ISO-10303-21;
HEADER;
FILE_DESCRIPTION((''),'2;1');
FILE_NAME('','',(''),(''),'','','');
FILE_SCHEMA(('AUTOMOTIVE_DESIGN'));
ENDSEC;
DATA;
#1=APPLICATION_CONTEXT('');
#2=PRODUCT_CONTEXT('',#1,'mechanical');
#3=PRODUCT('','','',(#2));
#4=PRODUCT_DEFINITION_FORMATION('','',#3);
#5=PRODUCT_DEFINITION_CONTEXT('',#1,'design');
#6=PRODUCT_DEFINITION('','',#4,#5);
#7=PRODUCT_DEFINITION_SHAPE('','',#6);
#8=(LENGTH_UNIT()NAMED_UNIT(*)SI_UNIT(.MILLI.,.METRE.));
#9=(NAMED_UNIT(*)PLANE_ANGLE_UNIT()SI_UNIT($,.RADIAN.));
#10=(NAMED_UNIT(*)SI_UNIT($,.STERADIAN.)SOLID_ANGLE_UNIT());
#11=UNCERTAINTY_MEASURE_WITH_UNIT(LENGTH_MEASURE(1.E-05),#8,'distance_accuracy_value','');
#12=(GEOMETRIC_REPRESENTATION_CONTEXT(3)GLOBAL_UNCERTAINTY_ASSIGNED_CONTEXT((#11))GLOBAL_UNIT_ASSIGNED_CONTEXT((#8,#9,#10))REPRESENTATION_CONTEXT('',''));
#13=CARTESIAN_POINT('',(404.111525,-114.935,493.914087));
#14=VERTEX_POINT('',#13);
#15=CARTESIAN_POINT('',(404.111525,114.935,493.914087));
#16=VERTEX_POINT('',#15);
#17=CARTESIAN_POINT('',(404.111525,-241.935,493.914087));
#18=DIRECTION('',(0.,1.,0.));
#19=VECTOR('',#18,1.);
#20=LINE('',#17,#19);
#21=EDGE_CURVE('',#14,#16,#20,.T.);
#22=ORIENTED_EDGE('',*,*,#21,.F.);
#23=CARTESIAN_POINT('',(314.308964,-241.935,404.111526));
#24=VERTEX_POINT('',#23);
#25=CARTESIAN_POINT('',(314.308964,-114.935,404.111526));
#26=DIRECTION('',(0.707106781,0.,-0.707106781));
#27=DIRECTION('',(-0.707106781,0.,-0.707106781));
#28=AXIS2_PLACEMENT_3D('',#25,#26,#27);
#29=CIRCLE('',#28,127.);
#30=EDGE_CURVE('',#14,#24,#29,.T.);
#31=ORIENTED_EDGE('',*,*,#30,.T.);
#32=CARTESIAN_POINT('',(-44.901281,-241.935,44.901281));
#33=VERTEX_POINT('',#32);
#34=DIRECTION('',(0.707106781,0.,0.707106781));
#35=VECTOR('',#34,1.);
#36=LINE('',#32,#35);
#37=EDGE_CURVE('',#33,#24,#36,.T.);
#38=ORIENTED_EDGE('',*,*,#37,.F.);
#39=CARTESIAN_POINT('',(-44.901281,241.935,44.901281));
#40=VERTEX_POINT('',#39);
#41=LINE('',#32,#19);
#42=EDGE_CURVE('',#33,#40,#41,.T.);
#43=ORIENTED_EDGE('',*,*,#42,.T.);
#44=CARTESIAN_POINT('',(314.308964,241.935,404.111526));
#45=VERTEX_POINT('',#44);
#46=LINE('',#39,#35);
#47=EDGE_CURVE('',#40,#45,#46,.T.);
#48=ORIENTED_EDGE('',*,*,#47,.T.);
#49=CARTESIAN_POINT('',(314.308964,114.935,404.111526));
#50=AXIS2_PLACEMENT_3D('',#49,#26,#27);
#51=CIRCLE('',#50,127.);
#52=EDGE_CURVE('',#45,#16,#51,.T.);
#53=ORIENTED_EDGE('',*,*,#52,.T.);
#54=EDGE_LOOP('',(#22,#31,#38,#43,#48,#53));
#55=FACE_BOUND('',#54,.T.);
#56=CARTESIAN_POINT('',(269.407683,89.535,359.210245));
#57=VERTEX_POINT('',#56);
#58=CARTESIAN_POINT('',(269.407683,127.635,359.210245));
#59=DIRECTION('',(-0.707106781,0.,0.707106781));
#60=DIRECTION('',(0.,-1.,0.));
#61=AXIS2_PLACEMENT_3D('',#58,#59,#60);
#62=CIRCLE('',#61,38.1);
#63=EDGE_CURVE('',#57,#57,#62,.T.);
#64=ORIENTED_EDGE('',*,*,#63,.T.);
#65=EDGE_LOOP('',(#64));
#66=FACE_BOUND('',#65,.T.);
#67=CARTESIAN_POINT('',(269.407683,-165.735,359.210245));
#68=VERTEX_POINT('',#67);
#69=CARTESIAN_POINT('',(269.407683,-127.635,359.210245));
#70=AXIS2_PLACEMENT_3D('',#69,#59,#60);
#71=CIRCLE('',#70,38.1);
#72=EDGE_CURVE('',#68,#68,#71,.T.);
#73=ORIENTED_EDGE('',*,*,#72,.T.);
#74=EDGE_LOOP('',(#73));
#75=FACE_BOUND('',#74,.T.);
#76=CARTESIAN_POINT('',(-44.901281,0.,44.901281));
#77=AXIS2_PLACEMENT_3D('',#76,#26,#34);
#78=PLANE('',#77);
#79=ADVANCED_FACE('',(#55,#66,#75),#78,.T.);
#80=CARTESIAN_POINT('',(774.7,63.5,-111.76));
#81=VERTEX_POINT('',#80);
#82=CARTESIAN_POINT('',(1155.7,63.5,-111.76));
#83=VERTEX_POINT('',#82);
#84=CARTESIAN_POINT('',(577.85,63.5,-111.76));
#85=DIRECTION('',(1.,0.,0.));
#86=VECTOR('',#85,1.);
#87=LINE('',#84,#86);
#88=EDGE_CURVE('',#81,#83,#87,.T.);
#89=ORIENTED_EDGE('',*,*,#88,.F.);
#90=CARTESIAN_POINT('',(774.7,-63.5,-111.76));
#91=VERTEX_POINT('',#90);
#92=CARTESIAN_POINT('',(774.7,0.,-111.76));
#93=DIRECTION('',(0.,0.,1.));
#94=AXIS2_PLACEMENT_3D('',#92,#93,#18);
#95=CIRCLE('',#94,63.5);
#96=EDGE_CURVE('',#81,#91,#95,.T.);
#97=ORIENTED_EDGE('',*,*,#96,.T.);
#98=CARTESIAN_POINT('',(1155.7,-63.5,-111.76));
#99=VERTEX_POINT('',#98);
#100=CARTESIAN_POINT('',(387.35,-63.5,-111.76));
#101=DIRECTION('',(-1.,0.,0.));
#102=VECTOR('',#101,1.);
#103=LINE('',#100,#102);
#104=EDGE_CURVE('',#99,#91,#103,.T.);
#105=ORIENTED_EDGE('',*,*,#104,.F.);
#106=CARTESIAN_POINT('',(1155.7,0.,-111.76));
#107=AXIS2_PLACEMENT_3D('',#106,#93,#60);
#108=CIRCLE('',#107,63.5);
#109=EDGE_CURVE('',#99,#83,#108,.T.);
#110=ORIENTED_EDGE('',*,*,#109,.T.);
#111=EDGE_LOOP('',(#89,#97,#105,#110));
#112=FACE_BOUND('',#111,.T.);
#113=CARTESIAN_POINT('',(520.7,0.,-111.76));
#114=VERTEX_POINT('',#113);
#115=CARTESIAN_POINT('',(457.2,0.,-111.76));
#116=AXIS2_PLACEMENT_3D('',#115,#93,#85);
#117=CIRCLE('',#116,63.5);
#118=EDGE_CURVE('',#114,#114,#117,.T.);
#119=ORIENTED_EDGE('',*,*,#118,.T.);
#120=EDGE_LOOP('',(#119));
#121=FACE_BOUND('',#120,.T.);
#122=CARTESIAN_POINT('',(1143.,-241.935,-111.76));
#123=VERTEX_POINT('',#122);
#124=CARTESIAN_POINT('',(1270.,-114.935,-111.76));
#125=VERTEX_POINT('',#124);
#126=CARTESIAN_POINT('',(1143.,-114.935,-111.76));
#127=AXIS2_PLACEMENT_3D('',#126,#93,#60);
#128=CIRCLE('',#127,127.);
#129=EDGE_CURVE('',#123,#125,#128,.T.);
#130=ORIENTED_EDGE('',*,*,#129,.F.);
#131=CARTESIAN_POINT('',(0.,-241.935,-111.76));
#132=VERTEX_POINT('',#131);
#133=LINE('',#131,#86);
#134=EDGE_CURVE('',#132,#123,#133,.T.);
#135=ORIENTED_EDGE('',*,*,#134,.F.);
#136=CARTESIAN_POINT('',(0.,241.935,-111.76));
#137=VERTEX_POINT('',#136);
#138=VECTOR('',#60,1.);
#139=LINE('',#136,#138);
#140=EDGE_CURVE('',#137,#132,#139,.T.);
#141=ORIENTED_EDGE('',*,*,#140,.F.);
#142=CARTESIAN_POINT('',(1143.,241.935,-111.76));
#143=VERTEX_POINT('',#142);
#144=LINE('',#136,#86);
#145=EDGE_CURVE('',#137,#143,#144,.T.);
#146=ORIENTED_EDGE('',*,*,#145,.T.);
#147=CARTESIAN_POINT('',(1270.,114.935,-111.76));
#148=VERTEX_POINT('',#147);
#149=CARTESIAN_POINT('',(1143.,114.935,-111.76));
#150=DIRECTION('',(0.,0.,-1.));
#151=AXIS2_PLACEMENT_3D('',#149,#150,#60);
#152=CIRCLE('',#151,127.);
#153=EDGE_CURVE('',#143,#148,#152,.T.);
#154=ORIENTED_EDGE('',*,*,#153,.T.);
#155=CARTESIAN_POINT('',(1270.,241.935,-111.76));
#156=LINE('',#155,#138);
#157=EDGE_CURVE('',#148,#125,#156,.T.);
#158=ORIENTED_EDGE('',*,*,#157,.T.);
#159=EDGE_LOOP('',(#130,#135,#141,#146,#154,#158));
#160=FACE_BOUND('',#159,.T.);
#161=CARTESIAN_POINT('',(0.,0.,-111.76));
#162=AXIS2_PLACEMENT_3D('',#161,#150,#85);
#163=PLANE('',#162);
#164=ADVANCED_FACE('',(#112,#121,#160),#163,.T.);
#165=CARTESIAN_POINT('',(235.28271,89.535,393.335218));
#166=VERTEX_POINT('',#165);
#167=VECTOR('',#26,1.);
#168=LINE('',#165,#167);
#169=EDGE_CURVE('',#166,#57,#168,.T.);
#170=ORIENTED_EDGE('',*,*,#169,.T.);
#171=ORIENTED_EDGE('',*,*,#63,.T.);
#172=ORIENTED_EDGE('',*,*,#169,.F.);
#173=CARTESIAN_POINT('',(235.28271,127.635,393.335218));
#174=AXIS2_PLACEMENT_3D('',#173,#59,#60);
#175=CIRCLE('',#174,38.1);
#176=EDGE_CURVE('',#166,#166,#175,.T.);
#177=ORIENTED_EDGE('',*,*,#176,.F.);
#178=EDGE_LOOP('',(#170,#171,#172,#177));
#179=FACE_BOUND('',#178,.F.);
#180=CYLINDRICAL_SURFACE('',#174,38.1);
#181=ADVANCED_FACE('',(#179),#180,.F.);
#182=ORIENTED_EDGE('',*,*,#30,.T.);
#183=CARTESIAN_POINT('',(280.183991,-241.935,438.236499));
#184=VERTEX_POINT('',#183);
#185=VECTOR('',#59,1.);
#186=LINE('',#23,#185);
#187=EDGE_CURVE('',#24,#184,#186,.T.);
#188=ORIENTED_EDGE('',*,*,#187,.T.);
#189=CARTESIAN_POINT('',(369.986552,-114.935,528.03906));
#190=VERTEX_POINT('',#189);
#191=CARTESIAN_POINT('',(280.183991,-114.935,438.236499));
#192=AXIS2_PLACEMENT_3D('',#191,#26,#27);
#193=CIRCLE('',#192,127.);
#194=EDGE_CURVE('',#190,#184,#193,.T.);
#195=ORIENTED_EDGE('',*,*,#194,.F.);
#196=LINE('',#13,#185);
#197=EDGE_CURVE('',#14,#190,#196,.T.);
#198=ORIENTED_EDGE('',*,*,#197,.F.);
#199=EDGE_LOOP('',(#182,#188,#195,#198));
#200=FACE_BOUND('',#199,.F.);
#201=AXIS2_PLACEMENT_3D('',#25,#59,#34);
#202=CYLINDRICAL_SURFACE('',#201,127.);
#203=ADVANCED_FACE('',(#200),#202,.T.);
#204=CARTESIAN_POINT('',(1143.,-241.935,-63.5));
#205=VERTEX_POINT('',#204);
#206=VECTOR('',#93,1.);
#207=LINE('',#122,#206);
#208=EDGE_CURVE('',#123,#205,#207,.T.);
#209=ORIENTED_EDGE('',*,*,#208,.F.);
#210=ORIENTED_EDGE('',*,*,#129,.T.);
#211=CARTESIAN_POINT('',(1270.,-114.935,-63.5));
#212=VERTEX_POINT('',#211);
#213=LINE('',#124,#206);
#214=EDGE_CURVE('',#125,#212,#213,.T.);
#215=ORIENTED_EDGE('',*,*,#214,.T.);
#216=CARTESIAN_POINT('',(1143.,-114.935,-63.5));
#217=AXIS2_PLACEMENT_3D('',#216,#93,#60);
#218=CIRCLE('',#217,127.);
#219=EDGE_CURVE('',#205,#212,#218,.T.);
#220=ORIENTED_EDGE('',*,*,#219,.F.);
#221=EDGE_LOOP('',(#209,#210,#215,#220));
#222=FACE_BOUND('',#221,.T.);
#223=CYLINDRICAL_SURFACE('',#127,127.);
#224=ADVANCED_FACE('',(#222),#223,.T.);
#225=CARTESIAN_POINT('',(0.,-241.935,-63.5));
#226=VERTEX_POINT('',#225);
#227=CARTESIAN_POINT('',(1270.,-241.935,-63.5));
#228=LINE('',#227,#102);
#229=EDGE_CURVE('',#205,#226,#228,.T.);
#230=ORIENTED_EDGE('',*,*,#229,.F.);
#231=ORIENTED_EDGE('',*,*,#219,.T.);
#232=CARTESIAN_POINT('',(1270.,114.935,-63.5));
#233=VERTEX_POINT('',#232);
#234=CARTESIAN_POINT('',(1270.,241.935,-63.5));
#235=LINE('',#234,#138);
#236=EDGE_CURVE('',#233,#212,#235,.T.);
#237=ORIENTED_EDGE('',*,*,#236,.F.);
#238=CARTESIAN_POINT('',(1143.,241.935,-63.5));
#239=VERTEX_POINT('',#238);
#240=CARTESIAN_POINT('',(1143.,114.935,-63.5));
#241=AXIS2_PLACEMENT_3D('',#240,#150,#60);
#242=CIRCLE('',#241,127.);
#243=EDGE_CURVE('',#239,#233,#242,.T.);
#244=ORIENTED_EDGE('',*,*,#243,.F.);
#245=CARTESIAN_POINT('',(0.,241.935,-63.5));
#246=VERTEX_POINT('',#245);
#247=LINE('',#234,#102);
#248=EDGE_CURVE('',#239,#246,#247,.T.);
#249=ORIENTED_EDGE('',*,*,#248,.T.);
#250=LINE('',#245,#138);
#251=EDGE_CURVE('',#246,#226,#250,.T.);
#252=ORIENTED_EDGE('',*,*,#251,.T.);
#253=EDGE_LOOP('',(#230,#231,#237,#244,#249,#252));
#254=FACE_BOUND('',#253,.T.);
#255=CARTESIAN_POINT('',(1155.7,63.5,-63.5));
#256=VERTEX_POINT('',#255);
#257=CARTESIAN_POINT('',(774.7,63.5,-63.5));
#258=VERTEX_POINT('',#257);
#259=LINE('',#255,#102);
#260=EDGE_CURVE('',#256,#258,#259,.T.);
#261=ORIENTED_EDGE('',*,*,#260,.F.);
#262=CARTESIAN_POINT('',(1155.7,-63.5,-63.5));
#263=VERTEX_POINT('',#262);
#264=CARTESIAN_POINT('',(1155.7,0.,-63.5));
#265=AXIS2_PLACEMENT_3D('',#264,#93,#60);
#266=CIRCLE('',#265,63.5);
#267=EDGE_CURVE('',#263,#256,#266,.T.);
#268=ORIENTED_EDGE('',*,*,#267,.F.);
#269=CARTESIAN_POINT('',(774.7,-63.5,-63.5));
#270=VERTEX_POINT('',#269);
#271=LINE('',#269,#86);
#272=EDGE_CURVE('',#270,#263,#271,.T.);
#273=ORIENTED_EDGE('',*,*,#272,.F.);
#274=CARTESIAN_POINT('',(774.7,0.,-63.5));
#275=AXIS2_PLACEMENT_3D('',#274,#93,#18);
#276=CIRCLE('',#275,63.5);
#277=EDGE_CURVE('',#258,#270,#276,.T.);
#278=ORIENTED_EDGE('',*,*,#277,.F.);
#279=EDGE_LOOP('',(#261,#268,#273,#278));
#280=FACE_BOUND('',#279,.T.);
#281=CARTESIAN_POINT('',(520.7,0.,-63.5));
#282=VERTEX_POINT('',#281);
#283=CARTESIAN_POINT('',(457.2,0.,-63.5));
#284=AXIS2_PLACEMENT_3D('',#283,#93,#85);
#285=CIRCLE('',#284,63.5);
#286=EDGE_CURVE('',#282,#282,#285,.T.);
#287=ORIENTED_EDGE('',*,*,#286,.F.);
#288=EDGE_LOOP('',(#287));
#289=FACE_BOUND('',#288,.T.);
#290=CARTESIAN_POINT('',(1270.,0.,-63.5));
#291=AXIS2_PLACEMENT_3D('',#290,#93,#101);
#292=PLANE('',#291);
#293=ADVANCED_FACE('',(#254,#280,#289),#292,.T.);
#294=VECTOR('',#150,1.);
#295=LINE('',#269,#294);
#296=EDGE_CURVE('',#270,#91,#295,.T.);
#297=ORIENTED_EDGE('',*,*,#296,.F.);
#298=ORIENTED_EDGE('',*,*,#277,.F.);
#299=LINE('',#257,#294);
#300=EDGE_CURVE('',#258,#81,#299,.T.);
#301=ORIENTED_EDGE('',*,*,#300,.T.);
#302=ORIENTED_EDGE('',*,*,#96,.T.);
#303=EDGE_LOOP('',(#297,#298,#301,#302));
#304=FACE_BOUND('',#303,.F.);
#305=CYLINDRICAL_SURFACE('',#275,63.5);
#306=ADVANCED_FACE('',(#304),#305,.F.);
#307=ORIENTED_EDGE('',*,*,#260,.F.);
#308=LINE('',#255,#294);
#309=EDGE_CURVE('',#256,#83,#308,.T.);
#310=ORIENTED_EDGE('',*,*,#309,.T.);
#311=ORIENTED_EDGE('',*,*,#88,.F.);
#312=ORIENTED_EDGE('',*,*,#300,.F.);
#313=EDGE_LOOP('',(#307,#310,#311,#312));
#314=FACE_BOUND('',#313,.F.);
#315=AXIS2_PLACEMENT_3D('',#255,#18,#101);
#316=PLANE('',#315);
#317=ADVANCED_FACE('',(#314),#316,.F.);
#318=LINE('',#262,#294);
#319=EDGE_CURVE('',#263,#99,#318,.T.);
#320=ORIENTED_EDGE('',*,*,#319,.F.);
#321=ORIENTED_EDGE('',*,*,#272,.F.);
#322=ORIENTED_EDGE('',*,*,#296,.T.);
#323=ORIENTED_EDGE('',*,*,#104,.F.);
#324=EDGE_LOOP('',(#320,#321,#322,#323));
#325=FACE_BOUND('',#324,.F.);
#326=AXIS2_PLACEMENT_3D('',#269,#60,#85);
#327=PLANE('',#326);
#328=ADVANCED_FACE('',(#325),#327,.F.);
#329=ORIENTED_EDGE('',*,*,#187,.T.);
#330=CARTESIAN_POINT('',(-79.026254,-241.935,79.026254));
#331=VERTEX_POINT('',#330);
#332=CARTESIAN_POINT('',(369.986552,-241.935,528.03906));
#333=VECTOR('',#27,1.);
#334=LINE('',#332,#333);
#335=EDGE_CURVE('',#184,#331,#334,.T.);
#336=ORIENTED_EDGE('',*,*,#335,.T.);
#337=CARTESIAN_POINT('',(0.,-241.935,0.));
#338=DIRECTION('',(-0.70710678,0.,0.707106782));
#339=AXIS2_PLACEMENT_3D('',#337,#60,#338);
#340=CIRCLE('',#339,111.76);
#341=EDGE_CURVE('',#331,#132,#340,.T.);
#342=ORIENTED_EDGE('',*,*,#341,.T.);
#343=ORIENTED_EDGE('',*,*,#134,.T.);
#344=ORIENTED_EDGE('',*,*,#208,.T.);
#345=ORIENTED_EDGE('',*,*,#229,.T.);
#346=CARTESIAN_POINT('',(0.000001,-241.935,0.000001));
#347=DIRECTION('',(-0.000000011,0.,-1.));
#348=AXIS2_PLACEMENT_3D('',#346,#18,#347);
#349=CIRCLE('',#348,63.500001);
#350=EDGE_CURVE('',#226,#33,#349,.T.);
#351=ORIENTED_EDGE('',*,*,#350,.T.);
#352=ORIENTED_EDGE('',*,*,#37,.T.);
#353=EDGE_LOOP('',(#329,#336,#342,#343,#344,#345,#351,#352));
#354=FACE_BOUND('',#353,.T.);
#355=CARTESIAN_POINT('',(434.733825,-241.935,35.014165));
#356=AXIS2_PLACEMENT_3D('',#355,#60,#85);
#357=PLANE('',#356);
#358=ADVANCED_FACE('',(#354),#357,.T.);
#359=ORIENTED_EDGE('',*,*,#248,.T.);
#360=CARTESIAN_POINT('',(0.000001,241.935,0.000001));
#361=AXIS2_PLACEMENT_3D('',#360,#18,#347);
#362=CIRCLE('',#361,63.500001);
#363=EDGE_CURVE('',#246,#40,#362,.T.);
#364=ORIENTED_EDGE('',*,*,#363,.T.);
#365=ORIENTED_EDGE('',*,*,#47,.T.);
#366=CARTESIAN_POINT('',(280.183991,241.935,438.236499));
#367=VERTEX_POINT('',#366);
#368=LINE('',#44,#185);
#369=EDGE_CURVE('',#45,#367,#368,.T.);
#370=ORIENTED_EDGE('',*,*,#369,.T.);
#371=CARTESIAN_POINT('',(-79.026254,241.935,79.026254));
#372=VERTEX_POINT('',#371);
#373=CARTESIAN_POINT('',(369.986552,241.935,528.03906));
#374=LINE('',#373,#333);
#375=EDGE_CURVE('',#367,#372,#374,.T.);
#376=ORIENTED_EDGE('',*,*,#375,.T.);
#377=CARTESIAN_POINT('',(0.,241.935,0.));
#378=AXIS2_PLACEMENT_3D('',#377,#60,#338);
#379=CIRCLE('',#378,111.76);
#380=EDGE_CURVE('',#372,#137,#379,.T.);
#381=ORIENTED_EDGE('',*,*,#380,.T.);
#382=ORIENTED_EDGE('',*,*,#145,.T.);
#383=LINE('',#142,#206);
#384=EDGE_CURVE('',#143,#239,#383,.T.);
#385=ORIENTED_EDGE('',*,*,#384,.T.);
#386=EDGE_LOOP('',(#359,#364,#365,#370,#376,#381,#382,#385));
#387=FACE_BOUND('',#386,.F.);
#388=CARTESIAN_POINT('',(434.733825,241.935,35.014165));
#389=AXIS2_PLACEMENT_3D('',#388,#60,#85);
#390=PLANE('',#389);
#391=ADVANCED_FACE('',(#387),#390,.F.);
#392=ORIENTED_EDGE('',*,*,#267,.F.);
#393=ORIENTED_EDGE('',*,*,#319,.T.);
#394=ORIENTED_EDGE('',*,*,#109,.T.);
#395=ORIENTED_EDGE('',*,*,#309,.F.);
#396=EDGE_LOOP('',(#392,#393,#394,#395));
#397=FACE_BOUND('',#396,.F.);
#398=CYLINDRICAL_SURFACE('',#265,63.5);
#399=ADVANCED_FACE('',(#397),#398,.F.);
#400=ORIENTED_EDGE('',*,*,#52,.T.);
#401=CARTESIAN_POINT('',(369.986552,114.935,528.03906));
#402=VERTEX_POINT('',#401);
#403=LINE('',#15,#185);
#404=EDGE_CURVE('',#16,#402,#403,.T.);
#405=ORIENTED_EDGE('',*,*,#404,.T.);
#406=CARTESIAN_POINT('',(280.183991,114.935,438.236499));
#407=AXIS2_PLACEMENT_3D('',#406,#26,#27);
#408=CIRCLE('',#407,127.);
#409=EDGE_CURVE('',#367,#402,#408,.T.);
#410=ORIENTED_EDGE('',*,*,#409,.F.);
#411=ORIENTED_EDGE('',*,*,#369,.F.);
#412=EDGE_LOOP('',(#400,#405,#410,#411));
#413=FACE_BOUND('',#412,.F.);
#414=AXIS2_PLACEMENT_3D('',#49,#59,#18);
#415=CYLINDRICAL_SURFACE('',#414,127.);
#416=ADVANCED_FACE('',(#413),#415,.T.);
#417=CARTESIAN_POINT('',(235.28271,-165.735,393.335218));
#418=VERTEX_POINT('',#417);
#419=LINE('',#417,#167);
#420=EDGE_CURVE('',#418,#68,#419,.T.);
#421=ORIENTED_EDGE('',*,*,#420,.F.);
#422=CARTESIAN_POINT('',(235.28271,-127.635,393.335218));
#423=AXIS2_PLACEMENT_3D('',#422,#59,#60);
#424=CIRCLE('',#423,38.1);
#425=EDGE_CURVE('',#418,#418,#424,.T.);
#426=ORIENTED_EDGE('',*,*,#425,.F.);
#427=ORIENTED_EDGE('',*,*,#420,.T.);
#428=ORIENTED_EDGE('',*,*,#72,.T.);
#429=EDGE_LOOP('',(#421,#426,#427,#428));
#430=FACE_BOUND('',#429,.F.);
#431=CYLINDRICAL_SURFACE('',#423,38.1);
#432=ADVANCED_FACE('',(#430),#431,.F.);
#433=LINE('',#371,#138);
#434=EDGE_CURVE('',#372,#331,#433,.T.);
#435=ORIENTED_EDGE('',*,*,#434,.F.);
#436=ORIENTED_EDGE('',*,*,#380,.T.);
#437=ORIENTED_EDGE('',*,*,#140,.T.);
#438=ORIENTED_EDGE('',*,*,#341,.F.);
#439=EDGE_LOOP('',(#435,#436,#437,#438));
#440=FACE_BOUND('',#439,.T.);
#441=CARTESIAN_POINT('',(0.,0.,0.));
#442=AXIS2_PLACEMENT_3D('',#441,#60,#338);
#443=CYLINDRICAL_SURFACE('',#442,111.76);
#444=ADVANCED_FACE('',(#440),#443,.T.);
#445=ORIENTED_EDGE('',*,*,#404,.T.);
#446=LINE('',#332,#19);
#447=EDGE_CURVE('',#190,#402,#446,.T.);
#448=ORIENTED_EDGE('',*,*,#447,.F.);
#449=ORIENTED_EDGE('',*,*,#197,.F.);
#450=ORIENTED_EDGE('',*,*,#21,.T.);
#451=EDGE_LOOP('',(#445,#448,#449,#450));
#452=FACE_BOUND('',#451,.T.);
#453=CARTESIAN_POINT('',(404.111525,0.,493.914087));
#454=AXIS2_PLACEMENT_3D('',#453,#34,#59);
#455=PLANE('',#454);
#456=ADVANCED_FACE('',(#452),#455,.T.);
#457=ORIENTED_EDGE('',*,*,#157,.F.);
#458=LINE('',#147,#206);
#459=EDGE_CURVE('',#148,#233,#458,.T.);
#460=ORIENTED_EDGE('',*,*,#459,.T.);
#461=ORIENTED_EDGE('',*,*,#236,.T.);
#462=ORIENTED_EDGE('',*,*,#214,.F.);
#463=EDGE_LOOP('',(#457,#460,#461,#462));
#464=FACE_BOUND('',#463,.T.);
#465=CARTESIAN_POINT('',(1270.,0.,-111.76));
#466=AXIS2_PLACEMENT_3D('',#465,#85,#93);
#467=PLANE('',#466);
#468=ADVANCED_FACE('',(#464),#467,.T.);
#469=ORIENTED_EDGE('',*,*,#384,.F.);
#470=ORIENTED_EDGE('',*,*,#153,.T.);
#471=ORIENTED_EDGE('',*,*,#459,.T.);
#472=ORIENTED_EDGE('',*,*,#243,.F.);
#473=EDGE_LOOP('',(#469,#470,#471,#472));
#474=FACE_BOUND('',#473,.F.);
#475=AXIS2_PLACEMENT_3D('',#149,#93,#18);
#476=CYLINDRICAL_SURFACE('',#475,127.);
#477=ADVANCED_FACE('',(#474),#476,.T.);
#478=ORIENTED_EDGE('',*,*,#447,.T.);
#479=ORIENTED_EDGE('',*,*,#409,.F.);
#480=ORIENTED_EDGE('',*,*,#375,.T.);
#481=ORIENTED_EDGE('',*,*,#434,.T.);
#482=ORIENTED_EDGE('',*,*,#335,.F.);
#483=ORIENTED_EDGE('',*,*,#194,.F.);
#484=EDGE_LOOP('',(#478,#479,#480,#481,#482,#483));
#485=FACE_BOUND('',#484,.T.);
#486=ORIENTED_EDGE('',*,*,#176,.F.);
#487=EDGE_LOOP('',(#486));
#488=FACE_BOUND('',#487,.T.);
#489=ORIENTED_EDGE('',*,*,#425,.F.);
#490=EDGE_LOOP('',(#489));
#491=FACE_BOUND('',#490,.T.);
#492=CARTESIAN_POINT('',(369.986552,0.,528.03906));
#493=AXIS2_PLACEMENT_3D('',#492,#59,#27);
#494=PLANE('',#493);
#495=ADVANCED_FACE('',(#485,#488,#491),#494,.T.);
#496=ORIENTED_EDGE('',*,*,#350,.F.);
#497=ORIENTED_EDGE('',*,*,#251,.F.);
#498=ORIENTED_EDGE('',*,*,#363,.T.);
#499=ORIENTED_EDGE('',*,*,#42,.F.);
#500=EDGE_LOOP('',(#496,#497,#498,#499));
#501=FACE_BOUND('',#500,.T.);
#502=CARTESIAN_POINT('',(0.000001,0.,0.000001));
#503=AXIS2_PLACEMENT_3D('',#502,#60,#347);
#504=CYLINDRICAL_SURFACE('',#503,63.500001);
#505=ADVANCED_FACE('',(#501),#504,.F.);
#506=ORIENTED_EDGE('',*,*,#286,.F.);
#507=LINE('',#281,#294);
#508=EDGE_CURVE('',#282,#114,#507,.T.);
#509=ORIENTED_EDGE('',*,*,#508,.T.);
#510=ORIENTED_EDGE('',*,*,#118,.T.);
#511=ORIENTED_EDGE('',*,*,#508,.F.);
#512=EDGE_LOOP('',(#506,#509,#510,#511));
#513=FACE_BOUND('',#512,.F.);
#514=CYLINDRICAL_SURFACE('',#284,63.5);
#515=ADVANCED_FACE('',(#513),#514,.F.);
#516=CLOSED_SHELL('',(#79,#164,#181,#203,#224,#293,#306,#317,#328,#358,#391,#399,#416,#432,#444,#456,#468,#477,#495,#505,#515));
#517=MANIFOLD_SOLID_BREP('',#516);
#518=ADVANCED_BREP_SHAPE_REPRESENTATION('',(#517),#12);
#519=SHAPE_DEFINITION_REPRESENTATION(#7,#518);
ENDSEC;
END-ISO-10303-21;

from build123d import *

# Parameters (mm, degrees)
F1_DEPTH = 241.935
F2_R     = 63.5
F3_DEPTH = 48.261
F4_R     = 127
F5_R     = 127
F6_R     = 38.1
F7_DEPTH = 76.2


with BuildPart() as f1:
    # F0 (on Front) → F1 (new body, symmetric)
    with BuildSketch(Plane.XZ):
        with BuildLine():
            Line((369.986552, 528.03906), (-79.026254, 79.026254))
            ThreePointArc((-79.026254, 79.026254), (-103.252777, -42.7687), (0, -111.76))
            Line((0, -111.76), (1270, -111.76))
            Line((1270, -111.76), (1270, -63.5))
            Line((1270, -63.5), (0, -63.5))
            ThreePointArc((0, -63.5), (-58.66635, -24.300398), (-44.901281, 44.901281))
            Line((-44.901281, 44.901281), (404.111525, 493.914087))
            Line((404.111525, 493.914087), (369.986552, 528.03906))
        make_face()
    extrude(amount=F1_DEPTH, both=True)

    # F2 (on face) → F3 (cut, through all)
    with BuildSketch(Plane.XY.offset(-63.5)):
        with Locations((457.2, 0)):
            Circle(F2_R)
        with BuildLine():
            Line((1155.7, 63.5), (774.7, 63.5))
            ThreePointArc((774.7, 63.5), (711.2, 0), (774.7, -63.5))
            Line((774.7, -63.5), (1155.7, -63.5))
            ThreePointArc((1155.7, -63.5), (1219.2, 0), (1155.7, 63.5))
        make_face()
    extrude(amount=-F3_DEPTH, mode=Mode.SUBTRACT)

    # F4
    f4_edges = [f1.edges().sort_by_distance(p)[0] for p in [
        (1270, -241.935, -87.63),
        (1270, 241.935, -87.63),
    ]]
    fillet(f4_edges, radius=F4_R)

    # F5
    f5_edges = [f1.edges().sort_by_distance(p)[0] for p in [
        (387.049039, -241.935, 510.976573),
        (387.049039, 241.935, 510.976573),
    ]]
    fillet(f5_edges, radius=F5_R)

    # F6 (on face) → F7 (cut)
    with BuildSketch(Plane(origin=(-79.026254, 0, 79.026254), x_dir=(0, -1, 0), z_dir=(-0.707107, 0, 0.707107))):
        with Locations((-127.635, 444.5)):
            Circle(F6_R)
        with Locations((127.635, 444.5)):
            Circle(F6_R)
    extrude(amount=-F7_DEPTH, mode=Mode.SUBTRACT)


solid = f1.part
